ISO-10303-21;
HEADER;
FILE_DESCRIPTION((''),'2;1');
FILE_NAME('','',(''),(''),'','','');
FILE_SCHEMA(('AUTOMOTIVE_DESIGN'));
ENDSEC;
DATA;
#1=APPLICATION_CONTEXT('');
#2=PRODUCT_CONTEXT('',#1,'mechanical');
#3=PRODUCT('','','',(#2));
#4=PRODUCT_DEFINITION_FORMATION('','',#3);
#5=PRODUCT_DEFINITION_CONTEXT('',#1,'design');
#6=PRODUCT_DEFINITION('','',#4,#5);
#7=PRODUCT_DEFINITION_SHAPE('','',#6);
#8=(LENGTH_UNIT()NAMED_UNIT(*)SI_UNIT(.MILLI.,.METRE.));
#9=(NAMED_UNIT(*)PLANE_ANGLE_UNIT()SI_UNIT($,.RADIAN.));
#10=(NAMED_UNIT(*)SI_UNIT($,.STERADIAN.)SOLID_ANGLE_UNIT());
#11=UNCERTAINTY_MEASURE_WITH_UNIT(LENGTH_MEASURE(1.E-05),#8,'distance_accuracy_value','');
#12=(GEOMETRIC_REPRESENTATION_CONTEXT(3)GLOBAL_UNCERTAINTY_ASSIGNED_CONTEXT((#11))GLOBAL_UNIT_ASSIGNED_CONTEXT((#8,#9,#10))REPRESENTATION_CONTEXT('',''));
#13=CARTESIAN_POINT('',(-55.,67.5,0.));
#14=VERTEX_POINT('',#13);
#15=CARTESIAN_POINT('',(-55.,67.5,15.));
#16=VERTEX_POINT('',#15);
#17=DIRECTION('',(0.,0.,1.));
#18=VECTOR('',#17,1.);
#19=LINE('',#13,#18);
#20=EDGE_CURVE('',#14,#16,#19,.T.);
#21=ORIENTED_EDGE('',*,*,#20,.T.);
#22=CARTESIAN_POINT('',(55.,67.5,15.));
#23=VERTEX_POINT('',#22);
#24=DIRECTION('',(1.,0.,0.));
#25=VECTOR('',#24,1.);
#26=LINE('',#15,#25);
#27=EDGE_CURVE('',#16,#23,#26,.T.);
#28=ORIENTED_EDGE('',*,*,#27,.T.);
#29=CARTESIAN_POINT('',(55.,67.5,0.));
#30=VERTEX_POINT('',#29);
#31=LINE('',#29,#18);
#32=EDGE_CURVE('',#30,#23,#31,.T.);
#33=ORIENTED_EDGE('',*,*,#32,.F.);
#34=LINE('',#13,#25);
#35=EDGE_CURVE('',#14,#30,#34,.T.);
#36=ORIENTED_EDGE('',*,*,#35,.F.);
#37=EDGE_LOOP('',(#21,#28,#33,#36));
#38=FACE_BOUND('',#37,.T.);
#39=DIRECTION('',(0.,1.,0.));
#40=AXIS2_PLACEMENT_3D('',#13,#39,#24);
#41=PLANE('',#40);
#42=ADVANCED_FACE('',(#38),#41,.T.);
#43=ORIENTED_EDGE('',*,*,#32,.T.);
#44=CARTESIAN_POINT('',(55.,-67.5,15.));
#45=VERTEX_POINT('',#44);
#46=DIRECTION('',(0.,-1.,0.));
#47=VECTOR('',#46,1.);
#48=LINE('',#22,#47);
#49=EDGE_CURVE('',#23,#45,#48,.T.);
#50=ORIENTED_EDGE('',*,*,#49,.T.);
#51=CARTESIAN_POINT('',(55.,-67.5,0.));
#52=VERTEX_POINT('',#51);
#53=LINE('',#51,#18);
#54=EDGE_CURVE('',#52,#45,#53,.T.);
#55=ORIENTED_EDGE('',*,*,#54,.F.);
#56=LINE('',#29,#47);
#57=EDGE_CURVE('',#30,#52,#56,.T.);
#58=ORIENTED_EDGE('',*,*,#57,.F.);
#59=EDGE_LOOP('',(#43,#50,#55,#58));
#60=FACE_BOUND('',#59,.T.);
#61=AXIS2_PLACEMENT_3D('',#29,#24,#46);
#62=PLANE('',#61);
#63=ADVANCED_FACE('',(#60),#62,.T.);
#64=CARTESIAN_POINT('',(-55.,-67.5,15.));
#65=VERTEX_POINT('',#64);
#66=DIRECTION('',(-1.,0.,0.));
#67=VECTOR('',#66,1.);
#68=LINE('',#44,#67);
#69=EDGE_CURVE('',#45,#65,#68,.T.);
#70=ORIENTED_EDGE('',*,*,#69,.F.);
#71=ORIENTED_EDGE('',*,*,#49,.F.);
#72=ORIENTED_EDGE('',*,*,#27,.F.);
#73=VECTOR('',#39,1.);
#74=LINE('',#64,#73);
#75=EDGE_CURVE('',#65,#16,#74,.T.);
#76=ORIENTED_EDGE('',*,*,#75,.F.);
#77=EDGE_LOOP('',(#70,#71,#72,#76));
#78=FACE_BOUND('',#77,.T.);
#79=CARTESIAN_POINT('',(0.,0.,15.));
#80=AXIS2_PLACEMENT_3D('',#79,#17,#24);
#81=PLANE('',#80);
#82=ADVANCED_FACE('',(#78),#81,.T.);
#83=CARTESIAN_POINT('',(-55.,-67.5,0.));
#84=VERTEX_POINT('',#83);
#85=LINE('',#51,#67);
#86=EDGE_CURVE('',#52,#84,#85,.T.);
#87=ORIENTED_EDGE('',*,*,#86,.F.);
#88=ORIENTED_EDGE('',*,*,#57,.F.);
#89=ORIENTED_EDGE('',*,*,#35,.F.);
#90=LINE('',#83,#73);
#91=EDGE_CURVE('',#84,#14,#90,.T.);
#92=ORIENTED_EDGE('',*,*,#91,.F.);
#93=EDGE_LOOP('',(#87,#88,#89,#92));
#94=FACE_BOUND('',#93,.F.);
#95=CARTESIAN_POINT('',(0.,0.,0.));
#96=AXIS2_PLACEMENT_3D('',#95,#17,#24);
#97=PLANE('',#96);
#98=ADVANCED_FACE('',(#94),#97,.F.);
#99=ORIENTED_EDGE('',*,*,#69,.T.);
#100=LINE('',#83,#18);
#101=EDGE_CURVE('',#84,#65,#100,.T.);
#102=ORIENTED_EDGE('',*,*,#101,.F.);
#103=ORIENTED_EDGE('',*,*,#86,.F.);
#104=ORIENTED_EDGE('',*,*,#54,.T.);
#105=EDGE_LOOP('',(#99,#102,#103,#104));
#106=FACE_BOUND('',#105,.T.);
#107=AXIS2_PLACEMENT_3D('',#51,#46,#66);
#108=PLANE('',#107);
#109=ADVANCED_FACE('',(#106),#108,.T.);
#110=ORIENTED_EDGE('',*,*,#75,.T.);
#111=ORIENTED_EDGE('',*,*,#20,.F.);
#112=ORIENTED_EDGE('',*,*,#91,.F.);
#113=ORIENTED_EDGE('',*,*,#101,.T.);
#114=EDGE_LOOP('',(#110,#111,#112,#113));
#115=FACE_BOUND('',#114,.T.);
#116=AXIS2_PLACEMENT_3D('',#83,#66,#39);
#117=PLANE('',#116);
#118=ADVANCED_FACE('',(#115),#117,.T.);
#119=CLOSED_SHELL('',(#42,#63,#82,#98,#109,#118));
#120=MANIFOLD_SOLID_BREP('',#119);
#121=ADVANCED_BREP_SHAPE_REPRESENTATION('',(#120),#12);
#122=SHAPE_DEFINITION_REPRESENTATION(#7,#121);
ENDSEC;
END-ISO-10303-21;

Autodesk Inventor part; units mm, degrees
ref_plane "YZ Plane" through (0, 0, 0) normal (1, 0, 0) x (0, 1, 0)
ref_plane "XZ Plane" through (0, 0, 0) normal (0, 1, 0) x (-1, 0, 0)
ref_plane "XY Plane" through (0, 0, 0) normal (0, 0, 1) x (1, 0, 0)
sketch "Sketch1" plane through (0, 0, 0) normal (0, 0, 1) x (1, 0, 0)
  line L0 (-55, 67.5) -> (55, 67.5)
  line L1 (55, 67.5) -> (55, -67.5)
  line L2 (55, -67.5) -> (-55, -67.5)
  line L3 (-55, -67.5) -> (-55, 67.5)
  point P0 (0, 0)
  dimension "d0" = 110
  dimension "d1" = 135
  dimension "d2" = 67.5
  dimension "d3" = 55
extrude "Extrusion1" add sketch "Sketch1" along normal blind 15
properties part number "Z-AXIS BRACKET"
